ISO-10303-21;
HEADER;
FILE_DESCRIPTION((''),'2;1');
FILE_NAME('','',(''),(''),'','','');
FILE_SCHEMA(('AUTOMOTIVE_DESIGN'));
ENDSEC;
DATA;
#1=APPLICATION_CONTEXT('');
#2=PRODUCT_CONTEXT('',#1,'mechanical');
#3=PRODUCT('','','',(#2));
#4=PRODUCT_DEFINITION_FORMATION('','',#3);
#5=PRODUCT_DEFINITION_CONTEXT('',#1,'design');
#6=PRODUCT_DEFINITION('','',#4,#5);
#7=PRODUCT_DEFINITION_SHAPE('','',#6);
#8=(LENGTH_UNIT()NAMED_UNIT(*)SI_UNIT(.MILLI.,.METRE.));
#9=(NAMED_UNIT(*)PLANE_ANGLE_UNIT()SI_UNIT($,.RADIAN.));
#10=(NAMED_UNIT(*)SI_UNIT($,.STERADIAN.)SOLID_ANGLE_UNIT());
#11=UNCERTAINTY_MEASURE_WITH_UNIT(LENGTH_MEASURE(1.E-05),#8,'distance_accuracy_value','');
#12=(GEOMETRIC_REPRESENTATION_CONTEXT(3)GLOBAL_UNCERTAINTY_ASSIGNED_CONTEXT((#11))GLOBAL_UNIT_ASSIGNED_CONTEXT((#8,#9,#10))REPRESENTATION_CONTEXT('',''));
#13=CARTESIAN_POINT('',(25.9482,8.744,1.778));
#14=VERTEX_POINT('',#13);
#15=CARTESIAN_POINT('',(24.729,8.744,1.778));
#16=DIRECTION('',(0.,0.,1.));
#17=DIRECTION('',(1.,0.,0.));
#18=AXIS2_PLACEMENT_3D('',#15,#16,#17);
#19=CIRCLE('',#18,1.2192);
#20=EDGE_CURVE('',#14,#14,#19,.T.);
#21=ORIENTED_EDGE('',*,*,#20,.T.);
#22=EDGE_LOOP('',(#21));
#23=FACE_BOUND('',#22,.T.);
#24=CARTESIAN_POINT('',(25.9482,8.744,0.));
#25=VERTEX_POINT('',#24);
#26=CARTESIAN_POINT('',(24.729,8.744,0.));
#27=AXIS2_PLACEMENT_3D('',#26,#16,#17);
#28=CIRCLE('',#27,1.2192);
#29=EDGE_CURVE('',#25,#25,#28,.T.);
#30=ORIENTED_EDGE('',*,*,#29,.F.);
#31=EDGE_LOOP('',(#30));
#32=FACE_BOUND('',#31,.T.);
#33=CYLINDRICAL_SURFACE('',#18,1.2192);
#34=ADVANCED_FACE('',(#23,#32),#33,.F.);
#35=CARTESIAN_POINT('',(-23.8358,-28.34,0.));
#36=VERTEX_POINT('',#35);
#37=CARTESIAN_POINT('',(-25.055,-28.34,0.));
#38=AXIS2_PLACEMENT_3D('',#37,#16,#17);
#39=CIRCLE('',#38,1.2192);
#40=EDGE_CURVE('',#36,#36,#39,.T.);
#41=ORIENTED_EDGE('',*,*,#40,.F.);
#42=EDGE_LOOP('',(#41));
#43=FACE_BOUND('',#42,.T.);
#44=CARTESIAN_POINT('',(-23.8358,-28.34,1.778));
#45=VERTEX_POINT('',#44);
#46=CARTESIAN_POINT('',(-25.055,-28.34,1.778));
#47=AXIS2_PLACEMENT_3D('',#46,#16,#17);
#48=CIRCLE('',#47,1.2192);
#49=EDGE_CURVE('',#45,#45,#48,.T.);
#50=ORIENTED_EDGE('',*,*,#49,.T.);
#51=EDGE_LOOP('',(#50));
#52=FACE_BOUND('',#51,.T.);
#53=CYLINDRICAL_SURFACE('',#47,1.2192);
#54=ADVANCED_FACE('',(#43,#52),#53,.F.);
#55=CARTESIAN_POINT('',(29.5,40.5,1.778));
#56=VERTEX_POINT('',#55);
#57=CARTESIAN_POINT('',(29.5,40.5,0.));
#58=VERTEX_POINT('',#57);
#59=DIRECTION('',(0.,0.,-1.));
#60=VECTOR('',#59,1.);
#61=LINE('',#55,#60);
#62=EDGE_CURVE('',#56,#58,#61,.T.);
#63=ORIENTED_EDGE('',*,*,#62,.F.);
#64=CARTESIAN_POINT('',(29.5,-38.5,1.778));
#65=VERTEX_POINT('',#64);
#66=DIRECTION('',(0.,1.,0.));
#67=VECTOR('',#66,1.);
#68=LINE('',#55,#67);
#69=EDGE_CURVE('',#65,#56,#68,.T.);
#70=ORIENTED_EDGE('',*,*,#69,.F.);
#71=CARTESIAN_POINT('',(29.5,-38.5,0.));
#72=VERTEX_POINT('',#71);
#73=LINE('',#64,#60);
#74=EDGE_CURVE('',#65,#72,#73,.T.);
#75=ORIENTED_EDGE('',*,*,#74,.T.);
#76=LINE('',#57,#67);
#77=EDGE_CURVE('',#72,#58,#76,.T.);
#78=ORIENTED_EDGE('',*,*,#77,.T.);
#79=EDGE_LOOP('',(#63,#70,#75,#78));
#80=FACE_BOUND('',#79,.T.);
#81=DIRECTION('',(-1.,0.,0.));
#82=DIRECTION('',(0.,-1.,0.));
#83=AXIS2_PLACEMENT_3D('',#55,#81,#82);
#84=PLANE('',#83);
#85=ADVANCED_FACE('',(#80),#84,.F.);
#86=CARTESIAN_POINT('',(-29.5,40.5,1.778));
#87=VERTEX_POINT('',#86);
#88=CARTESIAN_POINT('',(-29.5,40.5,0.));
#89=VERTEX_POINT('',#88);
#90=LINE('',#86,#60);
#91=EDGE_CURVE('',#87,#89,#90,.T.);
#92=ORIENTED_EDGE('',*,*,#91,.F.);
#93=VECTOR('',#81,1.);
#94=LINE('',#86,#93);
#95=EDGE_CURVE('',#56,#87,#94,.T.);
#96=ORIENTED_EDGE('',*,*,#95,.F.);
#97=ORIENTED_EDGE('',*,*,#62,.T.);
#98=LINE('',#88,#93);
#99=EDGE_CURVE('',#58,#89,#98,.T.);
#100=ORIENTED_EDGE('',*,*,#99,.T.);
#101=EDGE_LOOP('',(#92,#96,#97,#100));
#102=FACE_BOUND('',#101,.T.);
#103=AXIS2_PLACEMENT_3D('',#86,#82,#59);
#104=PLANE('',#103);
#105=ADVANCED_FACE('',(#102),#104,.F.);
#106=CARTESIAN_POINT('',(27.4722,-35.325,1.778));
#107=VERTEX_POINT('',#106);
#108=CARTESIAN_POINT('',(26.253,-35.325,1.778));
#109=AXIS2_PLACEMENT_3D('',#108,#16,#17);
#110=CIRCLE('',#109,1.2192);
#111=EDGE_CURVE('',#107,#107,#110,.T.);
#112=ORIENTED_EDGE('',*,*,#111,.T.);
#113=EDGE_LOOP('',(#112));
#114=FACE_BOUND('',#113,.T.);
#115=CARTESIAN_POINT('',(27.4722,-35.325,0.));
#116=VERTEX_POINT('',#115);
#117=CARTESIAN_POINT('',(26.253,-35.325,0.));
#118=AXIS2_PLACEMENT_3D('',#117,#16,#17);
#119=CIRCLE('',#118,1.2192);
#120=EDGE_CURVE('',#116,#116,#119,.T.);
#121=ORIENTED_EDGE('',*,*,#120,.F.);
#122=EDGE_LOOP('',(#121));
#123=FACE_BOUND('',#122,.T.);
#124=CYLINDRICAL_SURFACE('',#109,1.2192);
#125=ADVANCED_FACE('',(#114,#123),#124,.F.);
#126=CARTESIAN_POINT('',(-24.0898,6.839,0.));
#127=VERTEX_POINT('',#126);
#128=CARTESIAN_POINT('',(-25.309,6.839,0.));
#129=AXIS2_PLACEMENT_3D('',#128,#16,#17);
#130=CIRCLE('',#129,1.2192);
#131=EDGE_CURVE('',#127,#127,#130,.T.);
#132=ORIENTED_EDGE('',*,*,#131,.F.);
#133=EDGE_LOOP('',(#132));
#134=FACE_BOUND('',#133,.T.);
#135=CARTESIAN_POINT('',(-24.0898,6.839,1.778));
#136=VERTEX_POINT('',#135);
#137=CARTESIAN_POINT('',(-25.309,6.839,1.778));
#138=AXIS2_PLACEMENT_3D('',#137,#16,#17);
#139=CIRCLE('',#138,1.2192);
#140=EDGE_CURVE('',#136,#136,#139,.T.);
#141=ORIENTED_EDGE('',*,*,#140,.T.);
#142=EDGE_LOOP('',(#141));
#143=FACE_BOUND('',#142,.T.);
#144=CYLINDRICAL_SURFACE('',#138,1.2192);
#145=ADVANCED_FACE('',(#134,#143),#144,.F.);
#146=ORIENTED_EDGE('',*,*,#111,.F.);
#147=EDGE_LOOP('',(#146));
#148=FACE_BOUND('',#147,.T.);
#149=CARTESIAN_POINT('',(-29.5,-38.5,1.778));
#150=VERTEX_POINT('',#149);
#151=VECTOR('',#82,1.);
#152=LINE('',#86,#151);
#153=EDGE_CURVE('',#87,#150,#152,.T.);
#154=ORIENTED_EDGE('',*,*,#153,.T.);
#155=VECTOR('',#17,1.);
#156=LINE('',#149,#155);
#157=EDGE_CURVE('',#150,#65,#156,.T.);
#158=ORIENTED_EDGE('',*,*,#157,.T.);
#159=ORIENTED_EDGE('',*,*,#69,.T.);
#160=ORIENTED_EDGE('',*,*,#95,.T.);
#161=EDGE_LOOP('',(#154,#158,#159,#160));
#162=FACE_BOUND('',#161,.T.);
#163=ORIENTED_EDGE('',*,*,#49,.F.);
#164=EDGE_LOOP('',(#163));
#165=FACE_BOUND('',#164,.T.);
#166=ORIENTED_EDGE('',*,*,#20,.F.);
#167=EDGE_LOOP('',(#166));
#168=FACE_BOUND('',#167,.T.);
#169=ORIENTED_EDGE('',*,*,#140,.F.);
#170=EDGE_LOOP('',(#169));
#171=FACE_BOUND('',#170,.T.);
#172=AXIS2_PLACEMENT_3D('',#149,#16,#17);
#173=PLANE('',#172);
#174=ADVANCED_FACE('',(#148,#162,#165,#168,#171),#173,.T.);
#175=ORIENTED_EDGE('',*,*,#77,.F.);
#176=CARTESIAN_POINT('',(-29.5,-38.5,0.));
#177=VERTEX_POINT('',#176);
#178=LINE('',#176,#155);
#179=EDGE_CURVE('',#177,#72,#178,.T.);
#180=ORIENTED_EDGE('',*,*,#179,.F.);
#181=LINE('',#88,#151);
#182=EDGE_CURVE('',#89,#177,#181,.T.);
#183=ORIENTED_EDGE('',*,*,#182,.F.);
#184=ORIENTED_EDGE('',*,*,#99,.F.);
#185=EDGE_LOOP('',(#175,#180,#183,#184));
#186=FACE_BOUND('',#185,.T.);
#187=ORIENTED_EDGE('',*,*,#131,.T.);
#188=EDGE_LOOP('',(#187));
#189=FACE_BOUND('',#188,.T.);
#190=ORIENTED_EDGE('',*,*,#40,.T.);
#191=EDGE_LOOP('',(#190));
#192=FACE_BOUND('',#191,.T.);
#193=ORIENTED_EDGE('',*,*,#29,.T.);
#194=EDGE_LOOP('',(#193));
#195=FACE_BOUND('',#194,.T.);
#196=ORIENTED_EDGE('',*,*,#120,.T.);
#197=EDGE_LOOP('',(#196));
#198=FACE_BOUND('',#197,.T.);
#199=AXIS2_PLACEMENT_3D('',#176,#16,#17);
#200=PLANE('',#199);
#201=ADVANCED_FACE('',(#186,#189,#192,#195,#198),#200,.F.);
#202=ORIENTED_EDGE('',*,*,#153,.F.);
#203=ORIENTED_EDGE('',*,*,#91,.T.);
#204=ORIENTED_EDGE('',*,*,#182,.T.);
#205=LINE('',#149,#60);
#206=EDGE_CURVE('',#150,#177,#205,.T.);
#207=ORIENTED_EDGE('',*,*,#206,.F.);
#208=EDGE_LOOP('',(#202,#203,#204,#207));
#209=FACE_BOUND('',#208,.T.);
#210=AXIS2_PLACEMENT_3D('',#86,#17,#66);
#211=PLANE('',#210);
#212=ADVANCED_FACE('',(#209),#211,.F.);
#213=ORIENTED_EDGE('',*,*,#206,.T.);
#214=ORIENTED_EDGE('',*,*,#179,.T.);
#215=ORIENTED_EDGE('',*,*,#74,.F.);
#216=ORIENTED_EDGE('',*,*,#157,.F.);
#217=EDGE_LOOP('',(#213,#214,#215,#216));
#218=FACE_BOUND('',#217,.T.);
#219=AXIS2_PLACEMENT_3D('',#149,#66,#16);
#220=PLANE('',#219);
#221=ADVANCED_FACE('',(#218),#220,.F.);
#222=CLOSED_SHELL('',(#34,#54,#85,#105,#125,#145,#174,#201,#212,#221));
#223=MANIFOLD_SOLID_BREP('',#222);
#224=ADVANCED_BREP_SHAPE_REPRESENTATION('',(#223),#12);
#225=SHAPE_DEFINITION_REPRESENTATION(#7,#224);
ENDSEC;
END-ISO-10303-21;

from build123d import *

# Parameters (mm, degrees)
SKETCH1_W                 = 59
SKETCH1_H                 = 79
EXTRUDE1_DEPTH            = 1.778
F_2_CLEARANCE_HOLE1_D     = 2.4384
F_2_CLEARANCE_HOLE1_DEPTH = 6.35
F_2_CLEARANCE_HOLE1_TIP   = 0.732569267


with BuildPart() as part:
    # Sketch1 → Extrude1 (new body)
    with BuildSketch(Plane.XY):
        with Locations((0, 1)):
            Rectangle(SKETCH1_W, SKETCH1_H)
    extrude(amount=EXTRUDE1_DEPTH)

    # #2 Clearance Hole1
    with Locations(Plane(origin=(-25.055, -28.34, 1.778), x_dir=(1, 0, 0), z_dir=(0, 0, 1))):
        with Locations((0, 0), (-0.254, 35.179), (49.784, 37.084), (51.308, -6.985)):
            Hole(F_2_CLEARANCE_HOLE1_D / 2, depth=F_2_CLEARANCE_HOLE1_DEPTH)
            with Locations((0, 0, -(F_2_CLEARANCE_HOLE1_DEPTH + F_2_CLEARANCE_HOLE1_TIP / 2))):  # 118° drill point
                Cone(0, F_2_CLEARANCE_HOLE1_D / 2, F_2_CLEARANCE_HOLE1_TIP, mode=Mode.SUBTRACT)


solid = part.part
